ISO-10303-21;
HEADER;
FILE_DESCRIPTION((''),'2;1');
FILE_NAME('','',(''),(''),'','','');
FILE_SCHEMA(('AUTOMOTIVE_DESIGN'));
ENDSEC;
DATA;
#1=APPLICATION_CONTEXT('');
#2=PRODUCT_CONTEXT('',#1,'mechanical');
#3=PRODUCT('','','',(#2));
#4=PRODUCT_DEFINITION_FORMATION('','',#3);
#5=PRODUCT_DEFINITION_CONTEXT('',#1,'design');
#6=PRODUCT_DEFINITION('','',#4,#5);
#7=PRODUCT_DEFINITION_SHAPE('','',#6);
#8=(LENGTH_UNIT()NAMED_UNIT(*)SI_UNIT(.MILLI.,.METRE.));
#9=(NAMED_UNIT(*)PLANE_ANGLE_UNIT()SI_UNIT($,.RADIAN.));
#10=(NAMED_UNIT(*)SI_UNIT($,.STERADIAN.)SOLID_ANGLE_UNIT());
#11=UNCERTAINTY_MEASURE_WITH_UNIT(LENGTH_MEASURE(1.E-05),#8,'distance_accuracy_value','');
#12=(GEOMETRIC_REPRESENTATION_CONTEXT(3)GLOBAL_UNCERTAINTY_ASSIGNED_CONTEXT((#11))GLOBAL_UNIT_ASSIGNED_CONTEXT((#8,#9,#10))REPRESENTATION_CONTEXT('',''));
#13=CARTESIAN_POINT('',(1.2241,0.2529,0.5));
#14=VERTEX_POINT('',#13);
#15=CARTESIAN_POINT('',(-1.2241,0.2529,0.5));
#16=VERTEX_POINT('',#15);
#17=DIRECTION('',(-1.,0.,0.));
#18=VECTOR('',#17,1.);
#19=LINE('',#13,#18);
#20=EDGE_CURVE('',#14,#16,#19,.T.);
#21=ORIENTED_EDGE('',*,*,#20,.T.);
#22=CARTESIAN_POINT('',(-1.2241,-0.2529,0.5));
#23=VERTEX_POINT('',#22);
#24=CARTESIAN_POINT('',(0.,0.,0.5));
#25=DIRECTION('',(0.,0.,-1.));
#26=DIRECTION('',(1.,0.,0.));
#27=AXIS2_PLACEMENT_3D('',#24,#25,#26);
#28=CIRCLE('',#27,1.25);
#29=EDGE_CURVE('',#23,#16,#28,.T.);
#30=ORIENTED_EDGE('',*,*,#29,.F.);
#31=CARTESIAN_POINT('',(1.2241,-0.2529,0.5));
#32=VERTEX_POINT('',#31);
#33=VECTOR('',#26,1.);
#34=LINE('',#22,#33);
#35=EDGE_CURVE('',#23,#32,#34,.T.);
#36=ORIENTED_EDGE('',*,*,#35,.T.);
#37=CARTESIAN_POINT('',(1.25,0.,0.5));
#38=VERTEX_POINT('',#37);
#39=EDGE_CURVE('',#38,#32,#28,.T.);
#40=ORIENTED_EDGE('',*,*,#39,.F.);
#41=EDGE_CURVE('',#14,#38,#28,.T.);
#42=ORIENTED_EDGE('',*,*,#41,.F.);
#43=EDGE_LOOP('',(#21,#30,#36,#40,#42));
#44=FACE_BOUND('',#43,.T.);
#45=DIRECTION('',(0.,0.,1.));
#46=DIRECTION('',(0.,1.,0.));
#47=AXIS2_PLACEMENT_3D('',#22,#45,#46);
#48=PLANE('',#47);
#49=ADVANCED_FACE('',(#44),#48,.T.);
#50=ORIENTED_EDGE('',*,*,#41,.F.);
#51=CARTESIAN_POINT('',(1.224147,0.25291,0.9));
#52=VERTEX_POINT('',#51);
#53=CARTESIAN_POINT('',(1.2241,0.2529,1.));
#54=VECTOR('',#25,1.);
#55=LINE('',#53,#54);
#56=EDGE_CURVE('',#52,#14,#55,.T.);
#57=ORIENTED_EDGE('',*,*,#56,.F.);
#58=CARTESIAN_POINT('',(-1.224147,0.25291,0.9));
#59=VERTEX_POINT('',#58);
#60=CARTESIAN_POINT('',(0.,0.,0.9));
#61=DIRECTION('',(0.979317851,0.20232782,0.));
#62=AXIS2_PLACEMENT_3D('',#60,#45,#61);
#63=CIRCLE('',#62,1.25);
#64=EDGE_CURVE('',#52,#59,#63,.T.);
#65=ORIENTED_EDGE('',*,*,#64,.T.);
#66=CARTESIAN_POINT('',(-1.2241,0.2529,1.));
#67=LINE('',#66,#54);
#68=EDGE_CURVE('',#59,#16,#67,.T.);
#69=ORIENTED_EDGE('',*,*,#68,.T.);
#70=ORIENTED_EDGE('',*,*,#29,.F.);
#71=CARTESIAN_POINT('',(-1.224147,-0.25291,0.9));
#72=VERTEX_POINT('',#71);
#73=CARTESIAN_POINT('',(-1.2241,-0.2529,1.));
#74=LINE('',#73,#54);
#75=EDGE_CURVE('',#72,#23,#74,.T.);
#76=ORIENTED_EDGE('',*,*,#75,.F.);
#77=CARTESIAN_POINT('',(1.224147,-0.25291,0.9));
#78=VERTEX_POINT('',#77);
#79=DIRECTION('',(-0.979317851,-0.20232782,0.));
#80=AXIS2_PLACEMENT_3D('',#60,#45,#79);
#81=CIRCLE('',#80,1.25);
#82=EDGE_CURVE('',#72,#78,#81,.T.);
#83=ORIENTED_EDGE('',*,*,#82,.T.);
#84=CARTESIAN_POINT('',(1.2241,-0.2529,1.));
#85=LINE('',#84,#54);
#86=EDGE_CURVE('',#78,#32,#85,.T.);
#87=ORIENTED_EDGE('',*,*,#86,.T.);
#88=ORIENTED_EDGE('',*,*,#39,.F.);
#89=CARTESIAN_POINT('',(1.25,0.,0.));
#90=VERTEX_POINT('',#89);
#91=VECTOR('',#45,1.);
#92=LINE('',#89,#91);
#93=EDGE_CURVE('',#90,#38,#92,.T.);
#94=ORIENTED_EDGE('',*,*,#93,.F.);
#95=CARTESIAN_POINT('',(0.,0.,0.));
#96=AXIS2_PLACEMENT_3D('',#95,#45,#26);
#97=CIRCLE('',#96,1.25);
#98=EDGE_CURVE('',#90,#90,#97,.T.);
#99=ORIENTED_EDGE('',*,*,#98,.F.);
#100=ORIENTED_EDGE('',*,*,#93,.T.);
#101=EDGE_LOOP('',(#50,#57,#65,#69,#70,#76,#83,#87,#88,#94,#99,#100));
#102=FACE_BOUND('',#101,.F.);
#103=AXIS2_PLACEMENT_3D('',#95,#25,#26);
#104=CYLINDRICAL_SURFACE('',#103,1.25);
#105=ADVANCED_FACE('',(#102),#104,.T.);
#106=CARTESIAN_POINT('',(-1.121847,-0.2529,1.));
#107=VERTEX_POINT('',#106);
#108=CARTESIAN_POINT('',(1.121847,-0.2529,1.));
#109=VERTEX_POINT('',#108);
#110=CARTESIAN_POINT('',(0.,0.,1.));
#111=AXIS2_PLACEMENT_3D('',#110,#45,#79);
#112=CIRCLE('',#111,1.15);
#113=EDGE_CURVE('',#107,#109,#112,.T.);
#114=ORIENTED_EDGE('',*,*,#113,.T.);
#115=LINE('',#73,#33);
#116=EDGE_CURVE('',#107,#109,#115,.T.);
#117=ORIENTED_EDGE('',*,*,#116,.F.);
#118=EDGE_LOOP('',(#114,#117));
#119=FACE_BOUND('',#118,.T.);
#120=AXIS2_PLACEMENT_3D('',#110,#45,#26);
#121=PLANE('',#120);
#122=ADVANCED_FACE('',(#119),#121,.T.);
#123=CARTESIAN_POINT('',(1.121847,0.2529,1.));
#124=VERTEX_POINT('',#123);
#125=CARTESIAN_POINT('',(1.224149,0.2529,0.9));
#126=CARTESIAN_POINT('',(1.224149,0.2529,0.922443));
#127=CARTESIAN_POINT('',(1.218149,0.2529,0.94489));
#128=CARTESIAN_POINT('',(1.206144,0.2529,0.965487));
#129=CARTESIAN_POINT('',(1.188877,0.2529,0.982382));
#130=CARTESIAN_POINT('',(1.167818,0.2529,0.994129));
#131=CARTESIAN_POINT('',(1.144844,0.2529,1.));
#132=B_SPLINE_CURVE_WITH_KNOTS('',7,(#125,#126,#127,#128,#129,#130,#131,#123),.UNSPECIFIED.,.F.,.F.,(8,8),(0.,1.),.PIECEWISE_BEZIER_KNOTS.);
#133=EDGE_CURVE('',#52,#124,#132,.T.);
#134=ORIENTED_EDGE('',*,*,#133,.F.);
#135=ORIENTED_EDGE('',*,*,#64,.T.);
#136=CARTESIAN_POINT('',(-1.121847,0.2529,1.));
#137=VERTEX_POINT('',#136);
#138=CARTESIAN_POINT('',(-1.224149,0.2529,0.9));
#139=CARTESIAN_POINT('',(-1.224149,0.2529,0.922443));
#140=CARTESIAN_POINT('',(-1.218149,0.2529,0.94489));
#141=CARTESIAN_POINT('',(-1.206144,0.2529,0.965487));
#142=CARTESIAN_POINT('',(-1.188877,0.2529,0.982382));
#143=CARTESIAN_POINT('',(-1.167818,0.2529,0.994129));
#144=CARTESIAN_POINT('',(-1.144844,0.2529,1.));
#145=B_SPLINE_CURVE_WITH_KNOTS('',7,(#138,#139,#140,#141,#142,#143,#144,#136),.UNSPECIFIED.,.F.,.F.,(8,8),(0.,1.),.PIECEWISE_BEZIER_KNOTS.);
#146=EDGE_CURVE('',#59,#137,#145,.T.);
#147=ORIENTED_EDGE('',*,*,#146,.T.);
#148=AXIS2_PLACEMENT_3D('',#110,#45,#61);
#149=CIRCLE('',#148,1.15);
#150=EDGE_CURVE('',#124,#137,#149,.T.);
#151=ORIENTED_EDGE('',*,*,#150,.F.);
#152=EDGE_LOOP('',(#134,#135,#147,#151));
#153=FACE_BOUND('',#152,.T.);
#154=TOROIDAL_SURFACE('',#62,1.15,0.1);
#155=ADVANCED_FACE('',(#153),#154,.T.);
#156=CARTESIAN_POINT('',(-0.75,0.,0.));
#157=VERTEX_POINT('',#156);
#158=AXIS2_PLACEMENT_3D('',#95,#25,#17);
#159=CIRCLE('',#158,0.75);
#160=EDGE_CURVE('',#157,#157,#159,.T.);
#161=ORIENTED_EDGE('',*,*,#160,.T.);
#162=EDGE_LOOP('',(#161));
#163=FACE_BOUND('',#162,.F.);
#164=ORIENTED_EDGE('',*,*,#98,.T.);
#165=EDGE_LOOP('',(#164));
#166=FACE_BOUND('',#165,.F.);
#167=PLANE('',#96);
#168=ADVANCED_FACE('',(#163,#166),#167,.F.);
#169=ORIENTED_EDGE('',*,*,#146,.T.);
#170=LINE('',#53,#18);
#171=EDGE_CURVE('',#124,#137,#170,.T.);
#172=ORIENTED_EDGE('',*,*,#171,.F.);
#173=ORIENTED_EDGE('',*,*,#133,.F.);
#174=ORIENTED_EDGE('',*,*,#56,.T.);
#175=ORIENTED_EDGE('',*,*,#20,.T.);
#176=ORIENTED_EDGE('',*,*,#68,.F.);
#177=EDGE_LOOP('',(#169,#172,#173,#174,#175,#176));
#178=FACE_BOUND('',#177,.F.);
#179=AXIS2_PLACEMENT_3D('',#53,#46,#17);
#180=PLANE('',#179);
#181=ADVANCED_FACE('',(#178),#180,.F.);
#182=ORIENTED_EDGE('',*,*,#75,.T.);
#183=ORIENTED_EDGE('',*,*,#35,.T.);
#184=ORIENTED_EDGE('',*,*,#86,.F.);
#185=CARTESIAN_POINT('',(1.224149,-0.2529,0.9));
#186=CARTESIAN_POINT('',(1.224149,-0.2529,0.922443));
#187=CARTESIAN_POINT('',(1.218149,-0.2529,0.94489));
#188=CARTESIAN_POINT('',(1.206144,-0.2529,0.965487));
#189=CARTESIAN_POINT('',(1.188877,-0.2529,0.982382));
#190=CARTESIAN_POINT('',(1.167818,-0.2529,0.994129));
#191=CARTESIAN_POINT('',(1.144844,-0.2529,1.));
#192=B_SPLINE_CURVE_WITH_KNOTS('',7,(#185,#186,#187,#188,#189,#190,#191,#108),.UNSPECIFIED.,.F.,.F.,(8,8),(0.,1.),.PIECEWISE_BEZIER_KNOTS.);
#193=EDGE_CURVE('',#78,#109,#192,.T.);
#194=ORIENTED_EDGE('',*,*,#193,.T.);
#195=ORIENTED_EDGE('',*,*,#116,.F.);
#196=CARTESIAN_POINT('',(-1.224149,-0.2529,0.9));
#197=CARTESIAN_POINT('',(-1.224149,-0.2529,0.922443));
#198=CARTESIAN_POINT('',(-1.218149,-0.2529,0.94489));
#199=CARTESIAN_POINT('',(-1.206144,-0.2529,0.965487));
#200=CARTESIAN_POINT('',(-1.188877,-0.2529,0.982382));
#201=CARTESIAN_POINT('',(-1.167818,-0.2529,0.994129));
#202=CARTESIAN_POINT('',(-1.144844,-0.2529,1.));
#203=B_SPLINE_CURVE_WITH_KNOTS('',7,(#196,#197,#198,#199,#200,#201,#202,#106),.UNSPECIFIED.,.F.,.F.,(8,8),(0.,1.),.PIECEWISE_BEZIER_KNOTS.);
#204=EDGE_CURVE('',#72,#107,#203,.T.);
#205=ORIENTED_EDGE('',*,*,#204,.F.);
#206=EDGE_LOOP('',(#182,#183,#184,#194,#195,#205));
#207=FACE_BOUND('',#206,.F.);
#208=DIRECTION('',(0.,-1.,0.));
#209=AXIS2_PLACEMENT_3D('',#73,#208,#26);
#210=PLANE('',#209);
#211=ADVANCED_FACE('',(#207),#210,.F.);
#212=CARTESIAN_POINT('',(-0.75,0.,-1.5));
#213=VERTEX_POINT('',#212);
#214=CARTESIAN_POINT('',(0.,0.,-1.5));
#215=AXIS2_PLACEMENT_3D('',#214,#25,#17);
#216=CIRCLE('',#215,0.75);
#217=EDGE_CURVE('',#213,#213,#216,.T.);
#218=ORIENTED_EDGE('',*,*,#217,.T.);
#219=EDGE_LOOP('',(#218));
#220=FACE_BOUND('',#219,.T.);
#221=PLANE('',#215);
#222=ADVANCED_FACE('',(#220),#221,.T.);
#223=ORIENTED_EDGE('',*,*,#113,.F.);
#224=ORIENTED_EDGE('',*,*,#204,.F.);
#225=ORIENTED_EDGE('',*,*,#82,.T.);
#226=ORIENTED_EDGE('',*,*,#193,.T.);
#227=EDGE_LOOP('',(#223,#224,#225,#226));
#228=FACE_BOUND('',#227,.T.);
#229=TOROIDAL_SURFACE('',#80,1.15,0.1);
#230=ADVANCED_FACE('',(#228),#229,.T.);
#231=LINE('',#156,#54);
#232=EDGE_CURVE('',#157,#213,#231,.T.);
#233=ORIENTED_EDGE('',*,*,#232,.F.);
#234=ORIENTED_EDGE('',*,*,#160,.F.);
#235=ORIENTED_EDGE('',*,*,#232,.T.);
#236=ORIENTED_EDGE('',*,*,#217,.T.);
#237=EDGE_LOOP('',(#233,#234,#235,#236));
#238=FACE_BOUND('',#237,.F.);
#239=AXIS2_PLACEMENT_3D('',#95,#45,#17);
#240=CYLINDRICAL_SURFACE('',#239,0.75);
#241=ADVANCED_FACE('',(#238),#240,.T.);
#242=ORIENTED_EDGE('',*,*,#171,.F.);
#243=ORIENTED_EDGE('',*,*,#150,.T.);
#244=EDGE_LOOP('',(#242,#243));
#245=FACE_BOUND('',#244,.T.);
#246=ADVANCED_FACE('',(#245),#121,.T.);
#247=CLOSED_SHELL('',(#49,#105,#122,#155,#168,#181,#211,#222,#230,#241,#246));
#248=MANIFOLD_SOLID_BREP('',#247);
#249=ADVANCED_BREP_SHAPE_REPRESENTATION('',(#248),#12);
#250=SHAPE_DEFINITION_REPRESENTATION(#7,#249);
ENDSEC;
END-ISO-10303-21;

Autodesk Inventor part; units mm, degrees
ref_plane "YZ Plane" through (0, 0, 0) normal (1, 0, 0) x (0, 1, 0)
ref_plane "XZ Plane" through (0, 0, 0) normal (0, 1, 0) x (-1, 0, 0)
ref_plane "XY Plane" through (0, 0, 0) normal (0, 0, 1) x (1, 0, 0)
sketch "Esboço1" plane through (0, 0, 0) normal (0, 0, 1) x (1, 0, 0)
  circle A0 centre (0, 0) radius 1.25
  dimension "d0" = 2.5
extrude "Extrusão1" add sketch "Esboço1" along normal blind 1
sketch "Esboço2" plane through (0, 0, 0) normal (0, 0, -1) x (-1, 0, 0)
  circle A0 centre (0, 0) radius 0.75
  dimension "d3" = 1.5
extrude "Extrusão2" add sketch "Esboço2" along normal blind 1.5
sketch "Esboço3" plane through (0, 0, 1) normal (0, 0, 1) x (1, 0, 0)
  circle A0 centre (0, 0) radius 1.25 projected
  line L0 (-1.2241, -0.2529) -> (1.2241, -0.2529)
  line L1 (1.2241, -0.2529) -> (1.2241, 0.2529)
  line L2 (1.2241, 0.2529) -> (-1.2241, 0.2529)
  line L3 (-1.2241, 0.2529) -> (-1.2241, -0.2529)
  line L4 (-1.2241, -0.2529) -> (1.2241, 0.2529) construction
  line L5 (1.2241, -0.2529) -> (-1.2241, 0.2529) construction
  dimension "d6" = 2.4483
extrude "Extrusão3" cut sketch "Esboço3" against normal blind 0.5 contours L1 L0 L3 L2
sketch "Esboço4" plane through (-1.2241, -0.2529, 1) normal (1, 0, 0) x (0, 0, -1)
  line L0 (0, 0.5058) -> (0, 0) projected
  line L1 (0.5, 0) -> (0.5, 0.5058) projected
  line L2 (0, 0.5058) -> (0.5, 0.5058)
  line L3 (0.5, 0.5058) -> (0.5, 0)
  line L4 (0.5, 0) -> (0, 0) projected
  line L5 (0.5, 0) -> (0, 0)
  line L6 (0, 0) -> (0, 0.5058)
  point P0 (1, 0.2529)
extrude "Extrusão4" cut sketch "Esboço4" along normal mid plane 6
fillet "Arredondamento1" radius 0.1 1 edges at (0, 1.25, 1)
fillet "Arredondamento1" radius 0.1 1 edges at (0, -1.25, 1)
thread "Rosca1" size "M1.6x0.35" class "6g" standard "ANSI Metric M Profile" length 15.255
properties material "Liga de Nickel-Copper 400"
